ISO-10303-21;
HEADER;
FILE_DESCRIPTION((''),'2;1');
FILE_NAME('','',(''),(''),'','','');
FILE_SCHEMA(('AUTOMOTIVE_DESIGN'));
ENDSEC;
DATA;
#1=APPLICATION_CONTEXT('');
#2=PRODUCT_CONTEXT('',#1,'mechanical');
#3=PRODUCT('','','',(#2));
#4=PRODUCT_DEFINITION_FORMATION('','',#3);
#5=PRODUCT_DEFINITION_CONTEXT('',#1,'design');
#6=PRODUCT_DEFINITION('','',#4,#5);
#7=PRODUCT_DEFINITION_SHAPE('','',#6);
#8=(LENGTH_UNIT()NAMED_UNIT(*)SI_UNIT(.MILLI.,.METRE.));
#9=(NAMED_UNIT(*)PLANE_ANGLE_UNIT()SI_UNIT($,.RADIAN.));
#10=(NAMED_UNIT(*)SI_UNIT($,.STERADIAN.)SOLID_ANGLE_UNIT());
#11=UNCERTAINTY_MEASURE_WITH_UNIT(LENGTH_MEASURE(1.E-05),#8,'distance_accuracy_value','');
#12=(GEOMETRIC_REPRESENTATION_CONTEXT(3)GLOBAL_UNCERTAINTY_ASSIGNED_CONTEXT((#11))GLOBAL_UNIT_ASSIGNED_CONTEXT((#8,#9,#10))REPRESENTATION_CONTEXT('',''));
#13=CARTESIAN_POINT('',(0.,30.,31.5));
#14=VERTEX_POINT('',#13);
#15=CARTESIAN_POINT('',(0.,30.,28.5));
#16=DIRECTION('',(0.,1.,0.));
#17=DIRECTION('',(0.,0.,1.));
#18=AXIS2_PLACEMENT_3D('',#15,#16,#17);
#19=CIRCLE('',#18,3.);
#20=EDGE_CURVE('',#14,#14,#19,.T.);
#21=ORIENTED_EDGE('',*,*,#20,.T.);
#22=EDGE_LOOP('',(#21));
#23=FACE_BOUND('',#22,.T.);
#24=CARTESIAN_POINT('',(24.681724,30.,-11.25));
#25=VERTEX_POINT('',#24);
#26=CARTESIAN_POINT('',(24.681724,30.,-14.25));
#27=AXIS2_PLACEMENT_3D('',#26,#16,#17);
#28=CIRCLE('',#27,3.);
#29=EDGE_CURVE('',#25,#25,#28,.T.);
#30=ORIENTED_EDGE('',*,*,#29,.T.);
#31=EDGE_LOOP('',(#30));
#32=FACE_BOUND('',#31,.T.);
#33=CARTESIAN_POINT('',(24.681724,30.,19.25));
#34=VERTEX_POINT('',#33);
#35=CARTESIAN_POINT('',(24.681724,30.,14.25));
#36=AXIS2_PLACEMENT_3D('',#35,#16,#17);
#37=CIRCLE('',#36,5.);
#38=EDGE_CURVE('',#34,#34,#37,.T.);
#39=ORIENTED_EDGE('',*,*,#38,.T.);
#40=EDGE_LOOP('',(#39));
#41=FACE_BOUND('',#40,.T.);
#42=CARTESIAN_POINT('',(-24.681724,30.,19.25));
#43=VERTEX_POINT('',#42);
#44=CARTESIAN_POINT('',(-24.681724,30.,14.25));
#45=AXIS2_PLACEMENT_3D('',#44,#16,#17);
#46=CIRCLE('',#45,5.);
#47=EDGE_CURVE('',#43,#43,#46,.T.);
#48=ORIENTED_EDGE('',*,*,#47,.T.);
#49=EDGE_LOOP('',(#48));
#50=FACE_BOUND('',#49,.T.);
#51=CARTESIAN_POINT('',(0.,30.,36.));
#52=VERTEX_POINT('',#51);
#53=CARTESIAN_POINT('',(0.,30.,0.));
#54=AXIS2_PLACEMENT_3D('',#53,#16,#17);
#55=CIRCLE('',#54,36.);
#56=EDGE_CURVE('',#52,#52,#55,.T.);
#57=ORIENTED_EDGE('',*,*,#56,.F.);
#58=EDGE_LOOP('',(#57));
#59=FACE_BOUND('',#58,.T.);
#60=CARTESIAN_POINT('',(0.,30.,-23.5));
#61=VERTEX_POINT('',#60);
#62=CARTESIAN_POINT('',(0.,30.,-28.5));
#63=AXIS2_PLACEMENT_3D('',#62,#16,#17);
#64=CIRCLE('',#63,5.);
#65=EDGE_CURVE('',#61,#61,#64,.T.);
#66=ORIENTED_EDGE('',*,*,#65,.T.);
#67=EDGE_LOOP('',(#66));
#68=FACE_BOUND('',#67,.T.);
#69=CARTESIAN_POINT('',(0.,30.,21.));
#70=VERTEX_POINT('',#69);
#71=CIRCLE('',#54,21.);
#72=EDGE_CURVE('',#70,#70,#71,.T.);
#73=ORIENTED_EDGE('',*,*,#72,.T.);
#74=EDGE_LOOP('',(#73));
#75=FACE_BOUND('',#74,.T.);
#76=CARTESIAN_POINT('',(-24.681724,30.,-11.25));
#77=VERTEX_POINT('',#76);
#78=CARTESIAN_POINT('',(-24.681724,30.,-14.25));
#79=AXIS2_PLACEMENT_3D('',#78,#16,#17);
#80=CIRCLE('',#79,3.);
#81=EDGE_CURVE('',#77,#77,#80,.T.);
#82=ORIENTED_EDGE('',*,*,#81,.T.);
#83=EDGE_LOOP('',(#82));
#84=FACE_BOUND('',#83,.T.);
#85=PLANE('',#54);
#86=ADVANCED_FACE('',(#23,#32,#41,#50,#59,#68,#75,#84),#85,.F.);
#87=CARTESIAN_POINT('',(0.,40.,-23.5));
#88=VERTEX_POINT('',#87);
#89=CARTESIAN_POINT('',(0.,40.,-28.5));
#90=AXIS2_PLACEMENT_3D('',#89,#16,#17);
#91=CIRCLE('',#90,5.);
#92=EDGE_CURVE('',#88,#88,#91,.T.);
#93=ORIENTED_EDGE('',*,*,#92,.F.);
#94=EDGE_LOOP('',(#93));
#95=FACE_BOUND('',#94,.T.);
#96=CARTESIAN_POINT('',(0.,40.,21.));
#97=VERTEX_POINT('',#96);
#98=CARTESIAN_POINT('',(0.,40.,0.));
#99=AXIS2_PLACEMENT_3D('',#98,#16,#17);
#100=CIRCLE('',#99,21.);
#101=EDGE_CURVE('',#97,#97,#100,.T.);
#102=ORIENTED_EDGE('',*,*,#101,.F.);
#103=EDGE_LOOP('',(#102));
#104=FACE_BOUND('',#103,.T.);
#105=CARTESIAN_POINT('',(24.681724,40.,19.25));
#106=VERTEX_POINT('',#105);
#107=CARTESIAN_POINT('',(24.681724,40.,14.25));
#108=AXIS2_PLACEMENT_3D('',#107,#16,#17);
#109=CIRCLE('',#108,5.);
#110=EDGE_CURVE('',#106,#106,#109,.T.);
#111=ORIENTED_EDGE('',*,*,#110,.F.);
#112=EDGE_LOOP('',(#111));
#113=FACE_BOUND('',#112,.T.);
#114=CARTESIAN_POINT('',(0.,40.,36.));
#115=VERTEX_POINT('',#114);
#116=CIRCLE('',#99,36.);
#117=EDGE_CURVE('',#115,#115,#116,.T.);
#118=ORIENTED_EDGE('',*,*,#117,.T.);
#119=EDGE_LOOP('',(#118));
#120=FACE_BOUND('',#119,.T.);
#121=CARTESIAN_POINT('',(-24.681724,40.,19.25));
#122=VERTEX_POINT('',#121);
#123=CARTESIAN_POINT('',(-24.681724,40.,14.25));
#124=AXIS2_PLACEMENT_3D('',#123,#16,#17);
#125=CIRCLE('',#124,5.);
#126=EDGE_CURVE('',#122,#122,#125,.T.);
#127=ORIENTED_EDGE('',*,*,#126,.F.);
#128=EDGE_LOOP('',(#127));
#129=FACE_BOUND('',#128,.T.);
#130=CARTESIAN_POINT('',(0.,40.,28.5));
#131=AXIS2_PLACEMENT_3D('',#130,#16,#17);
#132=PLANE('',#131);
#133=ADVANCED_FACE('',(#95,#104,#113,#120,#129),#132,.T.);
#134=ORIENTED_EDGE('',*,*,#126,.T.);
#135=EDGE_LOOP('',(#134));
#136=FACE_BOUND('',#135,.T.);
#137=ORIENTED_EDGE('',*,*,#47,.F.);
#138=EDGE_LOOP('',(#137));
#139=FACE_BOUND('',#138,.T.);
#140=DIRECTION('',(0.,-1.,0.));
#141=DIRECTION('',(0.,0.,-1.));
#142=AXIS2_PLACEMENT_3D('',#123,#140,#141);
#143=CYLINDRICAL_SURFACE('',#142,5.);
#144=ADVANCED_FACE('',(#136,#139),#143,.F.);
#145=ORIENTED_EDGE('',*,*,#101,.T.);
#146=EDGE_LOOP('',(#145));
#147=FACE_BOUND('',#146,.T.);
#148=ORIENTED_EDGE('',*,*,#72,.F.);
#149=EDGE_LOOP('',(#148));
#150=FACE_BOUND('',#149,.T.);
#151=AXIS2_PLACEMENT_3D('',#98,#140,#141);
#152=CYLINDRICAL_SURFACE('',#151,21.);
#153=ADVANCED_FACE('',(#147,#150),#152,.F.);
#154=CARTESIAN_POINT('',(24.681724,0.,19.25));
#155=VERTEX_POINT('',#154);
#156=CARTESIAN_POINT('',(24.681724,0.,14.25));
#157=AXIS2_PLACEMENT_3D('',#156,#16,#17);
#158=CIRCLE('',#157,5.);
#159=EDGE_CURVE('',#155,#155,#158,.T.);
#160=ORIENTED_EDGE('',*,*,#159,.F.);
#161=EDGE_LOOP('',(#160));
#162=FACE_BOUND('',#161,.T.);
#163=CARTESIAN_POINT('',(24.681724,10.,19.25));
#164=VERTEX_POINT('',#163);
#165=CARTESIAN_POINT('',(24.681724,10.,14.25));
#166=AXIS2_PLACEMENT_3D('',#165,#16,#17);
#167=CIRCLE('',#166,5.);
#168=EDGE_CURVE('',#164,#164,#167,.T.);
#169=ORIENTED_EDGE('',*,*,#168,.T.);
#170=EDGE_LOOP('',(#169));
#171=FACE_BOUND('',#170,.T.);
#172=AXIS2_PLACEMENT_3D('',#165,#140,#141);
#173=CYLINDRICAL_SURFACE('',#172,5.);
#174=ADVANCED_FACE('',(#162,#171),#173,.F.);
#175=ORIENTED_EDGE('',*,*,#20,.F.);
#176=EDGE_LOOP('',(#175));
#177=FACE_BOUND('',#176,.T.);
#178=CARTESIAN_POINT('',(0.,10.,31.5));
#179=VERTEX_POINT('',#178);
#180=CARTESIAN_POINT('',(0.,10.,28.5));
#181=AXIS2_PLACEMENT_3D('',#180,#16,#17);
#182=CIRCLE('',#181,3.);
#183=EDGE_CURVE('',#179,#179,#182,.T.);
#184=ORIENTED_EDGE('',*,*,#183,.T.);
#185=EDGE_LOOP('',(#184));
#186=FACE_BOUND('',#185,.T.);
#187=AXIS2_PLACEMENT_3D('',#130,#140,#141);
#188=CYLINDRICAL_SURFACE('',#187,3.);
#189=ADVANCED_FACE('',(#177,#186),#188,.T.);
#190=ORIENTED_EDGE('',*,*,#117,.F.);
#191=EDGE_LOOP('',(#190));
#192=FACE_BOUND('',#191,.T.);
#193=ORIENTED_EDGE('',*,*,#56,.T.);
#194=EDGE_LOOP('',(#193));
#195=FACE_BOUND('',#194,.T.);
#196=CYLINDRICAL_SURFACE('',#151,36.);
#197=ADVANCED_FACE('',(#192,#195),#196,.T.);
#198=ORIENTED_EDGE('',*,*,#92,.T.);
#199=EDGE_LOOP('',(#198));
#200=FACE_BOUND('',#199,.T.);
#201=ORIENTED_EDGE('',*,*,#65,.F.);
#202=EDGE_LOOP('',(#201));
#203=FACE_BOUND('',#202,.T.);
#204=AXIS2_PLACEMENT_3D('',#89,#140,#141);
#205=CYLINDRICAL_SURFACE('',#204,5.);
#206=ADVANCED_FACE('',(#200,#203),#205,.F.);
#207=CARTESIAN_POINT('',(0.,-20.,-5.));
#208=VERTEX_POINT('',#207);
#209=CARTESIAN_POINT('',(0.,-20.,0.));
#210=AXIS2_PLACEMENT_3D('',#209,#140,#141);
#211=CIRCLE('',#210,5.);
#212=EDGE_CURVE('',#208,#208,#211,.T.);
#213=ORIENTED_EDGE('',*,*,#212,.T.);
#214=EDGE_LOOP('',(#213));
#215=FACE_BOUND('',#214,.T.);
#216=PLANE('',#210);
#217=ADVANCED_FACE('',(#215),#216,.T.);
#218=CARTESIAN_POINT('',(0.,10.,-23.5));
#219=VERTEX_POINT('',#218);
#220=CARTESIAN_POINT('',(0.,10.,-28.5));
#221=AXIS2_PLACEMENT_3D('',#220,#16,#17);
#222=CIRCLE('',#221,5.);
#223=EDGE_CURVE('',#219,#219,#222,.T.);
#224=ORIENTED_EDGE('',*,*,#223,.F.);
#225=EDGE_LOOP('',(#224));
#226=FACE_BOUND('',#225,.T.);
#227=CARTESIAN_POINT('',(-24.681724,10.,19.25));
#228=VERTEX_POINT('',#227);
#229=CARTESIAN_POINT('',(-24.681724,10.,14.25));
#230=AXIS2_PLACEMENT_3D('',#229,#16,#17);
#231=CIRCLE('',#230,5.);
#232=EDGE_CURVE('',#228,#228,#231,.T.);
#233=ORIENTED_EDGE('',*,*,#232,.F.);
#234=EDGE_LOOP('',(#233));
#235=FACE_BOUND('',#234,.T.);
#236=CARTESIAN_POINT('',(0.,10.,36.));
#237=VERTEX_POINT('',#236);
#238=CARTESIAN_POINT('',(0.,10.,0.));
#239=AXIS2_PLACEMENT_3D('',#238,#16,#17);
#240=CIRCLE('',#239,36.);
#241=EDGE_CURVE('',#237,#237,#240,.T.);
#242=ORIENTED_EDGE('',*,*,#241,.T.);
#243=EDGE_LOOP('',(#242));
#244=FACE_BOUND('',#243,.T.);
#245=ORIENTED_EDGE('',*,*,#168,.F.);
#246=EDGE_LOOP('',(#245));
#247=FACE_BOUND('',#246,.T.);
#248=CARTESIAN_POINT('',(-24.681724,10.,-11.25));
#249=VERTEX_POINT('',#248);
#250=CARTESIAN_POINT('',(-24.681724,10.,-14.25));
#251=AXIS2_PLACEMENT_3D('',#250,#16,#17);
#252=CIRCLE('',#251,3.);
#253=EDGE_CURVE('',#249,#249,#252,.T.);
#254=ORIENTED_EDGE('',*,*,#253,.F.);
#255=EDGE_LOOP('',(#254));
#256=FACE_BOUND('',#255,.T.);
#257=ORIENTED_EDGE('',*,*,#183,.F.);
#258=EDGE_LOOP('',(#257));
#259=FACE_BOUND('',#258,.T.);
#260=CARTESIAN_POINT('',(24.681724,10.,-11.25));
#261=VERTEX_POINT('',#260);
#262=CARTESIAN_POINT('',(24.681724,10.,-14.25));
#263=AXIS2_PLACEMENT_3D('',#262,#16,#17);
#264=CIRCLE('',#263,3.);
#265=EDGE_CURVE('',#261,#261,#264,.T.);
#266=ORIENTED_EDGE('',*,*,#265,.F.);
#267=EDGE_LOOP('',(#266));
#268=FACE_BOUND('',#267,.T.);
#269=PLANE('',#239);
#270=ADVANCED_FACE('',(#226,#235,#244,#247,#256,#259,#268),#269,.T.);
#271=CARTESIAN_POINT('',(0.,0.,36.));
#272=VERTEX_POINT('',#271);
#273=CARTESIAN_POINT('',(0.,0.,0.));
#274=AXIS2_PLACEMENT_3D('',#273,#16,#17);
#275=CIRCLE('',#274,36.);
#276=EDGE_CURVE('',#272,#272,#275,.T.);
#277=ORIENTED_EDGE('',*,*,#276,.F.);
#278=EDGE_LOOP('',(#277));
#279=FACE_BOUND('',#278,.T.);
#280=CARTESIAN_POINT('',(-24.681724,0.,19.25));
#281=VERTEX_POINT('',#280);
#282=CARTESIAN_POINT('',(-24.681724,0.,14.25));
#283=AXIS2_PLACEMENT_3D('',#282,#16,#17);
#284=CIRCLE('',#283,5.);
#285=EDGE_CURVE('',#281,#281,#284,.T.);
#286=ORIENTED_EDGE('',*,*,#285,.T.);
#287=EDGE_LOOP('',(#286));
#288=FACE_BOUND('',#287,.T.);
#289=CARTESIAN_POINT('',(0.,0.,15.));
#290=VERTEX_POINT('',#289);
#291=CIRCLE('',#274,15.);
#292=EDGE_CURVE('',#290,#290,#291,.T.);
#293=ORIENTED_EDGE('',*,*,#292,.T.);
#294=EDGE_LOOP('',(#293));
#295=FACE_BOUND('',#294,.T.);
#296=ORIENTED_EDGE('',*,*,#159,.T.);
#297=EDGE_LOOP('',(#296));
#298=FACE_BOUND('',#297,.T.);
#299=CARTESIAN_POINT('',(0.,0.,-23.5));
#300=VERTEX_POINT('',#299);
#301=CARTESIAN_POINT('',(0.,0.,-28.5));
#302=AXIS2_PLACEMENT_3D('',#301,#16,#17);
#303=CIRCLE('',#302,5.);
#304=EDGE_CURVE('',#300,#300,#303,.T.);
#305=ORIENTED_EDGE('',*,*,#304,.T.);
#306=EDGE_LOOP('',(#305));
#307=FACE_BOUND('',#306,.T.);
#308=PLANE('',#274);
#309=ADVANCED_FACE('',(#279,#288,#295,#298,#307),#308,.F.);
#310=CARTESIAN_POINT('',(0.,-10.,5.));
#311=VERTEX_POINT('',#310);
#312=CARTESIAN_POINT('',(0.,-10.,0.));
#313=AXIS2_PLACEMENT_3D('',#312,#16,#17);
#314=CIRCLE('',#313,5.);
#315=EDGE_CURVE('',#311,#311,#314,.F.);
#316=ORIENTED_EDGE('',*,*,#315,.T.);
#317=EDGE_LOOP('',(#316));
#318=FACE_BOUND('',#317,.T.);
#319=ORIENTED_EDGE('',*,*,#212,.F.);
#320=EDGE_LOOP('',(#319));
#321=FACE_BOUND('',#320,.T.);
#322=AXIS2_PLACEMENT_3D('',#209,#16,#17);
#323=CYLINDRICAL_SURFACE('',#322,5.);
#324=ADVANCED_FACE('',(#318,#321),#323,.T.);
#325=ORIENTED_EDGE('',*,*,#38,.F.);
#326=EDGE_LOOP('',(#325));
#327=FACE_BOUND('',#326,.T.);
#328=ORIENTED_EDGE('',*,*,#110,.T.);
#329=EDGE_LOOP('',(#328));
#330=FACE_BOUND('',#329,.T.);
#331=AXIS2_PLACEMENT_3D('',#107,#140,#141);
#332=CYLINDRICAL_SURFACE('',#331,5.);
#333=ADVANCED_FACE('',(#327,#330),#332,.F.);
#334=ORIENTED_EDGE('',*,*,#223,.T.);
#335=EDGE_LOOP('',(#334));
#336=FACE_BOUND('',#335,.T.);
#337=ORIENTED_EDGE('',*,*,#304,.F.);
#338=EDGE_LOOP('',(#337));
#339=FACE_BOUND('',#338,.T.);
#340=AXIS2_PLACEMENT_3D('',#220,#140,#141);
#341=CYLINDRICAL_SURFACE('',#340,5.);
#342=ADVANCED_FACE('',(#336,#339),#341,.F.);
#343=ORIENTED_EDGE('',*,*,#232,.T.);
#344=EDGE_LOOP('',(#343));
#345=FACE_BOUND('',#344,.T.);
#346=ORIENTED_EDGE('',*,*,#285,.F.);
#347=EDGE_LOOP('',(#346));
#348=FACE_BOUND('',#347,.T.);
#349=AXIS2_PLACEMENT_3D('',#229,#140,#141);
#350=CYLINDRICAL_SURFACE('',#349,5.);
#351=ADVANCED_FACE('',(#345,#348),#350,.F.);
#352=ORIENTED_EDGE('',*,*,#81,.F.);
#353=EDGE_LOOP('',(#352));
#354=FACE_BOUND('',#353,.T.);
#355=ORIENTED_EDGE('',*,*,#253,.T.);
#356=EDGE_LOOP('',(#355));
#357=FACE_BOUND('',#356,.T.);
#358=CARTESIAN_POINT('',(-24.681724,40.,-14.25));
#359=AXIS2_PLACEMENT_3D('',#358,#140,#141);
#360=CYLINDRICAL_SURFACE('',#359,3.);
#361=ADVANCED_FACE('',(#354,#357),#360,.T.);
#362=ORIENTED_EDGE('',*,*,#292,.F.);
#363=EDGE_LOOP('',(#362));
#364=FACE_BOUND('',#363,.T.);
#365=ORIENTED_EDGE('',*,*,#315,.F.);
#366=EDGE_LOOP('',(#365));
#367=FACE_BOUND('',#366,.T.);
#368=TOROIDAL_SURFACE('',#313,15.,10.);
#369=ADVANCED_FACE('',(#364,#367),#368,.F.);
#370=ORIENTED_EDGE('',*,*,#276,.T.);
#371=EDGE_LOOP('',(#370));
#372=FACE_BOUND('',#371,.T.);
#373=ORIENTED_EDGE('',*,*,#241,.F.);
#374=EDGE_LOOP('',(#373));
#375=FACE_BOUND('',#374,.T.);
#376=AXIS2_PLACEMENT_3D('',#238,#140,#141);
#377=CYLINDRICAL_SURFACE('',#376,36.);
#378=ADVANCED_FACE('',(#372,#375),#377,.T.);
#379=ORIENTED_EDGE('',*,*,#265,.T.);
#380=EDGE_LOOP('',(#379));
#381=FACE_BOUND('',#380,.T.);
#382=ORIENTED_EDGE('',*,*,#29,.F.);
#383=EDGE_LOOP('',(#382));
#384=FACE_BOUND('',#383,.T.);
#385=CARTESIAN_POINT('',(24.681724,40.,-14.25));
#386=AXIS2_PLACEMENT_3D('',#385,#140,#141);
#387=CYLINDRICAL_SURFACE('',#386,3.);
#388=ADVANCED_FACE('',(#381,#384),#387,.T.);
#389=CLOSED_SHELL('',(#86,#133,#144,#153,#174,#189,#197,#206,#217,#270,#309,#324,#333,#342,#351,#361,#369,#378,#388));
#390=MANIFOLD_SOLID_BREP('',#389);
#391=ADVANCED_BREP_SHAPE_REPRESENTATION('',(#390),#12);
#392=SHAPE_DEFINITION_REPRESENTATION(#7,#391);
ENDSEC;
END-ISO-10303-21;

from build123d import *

# Parameters (mm, degrees)
SKETCH1_R           = 36
SKETCH1_R_2         = 5
SKETCH1_R_3         = 3
SKETCH1_R_4         = 21
BOSS_EXTRUDE1_DEPTH = 10
SKETCH1_3_R         = 3
BOSS_EXTRUDE2_DEPTH = 40
LPATTERN3_COUNT     = 2
LPATTERN3_PITCH     = 30
SKETCH2_R           = 21
BOSS_EXTRUDE3_DEPTH = 10
SKETCH4_R           = 5
BOSS_EXTRUDE4_DEPTH = 20
FILLET1_R           = 10


with BuildPart() as part:
    # Sketch1 → Boss-Extrude1 (new body)
    with BuildSketch(Plane(origin=(0, 0, 0), x_dir=(1, 0, 0), z_dir=(0, 1, 0))):
        Circle(SKETCH1_R)
        with Locations((0, 28.5)):
            Circle(SKETCH1_R_2, mode=Mode.SUBTRACT)
        with Locations((24.681724008, 14.25)):
            Circle(SKETCH1_R_3, mode=Mode.SUBTRACT)
        with Locations((24.681724008, -14.25)):
            Circle(SKETCH1_R_2, mode=Mode.SUBTRACT)
        with Locations((0, -28.5)):
            Circle(SKETCH1_R_3, mode=Mode.SUBTRACT)
        with Locations((-24.681724008, -14.25)):
            Circle(SKETCH1_R_2, mode=Mode.SUBTRACT)
        with Locations((-24.681724008, 14.25)):
            Circle(SKETCH1_R_3, mode=Mode.SUBTRACT)
        Circle(SKETCH1_R_4, mode=Mode.SUBTRACT)
    boss_extrude1 = extrude(amount=BOSS_EXTRUDE1_DEPTH)

    # Sketch1<3> → Boss-Extrude2 (add)
    with BuildSketch(Plane(origin=(0, 0, 0), x_dir=(1, 0, 0), z_dir=(0, 1, 0))):
        with Locations((0, -28.5)):
            Circle(SKETCH1_3_R)
        with Locations((-24.681724008, 14.25)):
            Circle(SKETCH1_3_R)
        with Locations((24.681724008, 14.25)):
            Circle(SKETCH1_3_R)
    extrude(amount=BOSS_EXTRUDE2_DEPTH)

    # LPattern3: Boss-Extrude1 ×2
    with Locations(*[(0, i * LPATTERN3_PITCH, 0) for i in range(1, LPATTERN3_COUNT)]):
        add(boss_extrude1)

    # Sketch2 → Boss-Extrude3 (add)
    with BuildSketch(Plane.XZ):
        Circle(SKETCH2_R)
    extrude(amount=-BOSS_EXTRUDE3_DEPTH)

    # Sketch4 → Boss-Extrude4 (add)
    with BuildSketch(Plane.XZ):
        Circle(SKETCH4_R)
    extrude(amount=BOSS_EXTRUDE4_DEPTH)

    # Fillet1
    fillet1_edges = [part.edges().sort_by_distance(p)[0] for p in [
        (-5, 0, 0),
    ]]
    fillet(fillet1_edges, radius=FILLET1_R)


solid = part.part
